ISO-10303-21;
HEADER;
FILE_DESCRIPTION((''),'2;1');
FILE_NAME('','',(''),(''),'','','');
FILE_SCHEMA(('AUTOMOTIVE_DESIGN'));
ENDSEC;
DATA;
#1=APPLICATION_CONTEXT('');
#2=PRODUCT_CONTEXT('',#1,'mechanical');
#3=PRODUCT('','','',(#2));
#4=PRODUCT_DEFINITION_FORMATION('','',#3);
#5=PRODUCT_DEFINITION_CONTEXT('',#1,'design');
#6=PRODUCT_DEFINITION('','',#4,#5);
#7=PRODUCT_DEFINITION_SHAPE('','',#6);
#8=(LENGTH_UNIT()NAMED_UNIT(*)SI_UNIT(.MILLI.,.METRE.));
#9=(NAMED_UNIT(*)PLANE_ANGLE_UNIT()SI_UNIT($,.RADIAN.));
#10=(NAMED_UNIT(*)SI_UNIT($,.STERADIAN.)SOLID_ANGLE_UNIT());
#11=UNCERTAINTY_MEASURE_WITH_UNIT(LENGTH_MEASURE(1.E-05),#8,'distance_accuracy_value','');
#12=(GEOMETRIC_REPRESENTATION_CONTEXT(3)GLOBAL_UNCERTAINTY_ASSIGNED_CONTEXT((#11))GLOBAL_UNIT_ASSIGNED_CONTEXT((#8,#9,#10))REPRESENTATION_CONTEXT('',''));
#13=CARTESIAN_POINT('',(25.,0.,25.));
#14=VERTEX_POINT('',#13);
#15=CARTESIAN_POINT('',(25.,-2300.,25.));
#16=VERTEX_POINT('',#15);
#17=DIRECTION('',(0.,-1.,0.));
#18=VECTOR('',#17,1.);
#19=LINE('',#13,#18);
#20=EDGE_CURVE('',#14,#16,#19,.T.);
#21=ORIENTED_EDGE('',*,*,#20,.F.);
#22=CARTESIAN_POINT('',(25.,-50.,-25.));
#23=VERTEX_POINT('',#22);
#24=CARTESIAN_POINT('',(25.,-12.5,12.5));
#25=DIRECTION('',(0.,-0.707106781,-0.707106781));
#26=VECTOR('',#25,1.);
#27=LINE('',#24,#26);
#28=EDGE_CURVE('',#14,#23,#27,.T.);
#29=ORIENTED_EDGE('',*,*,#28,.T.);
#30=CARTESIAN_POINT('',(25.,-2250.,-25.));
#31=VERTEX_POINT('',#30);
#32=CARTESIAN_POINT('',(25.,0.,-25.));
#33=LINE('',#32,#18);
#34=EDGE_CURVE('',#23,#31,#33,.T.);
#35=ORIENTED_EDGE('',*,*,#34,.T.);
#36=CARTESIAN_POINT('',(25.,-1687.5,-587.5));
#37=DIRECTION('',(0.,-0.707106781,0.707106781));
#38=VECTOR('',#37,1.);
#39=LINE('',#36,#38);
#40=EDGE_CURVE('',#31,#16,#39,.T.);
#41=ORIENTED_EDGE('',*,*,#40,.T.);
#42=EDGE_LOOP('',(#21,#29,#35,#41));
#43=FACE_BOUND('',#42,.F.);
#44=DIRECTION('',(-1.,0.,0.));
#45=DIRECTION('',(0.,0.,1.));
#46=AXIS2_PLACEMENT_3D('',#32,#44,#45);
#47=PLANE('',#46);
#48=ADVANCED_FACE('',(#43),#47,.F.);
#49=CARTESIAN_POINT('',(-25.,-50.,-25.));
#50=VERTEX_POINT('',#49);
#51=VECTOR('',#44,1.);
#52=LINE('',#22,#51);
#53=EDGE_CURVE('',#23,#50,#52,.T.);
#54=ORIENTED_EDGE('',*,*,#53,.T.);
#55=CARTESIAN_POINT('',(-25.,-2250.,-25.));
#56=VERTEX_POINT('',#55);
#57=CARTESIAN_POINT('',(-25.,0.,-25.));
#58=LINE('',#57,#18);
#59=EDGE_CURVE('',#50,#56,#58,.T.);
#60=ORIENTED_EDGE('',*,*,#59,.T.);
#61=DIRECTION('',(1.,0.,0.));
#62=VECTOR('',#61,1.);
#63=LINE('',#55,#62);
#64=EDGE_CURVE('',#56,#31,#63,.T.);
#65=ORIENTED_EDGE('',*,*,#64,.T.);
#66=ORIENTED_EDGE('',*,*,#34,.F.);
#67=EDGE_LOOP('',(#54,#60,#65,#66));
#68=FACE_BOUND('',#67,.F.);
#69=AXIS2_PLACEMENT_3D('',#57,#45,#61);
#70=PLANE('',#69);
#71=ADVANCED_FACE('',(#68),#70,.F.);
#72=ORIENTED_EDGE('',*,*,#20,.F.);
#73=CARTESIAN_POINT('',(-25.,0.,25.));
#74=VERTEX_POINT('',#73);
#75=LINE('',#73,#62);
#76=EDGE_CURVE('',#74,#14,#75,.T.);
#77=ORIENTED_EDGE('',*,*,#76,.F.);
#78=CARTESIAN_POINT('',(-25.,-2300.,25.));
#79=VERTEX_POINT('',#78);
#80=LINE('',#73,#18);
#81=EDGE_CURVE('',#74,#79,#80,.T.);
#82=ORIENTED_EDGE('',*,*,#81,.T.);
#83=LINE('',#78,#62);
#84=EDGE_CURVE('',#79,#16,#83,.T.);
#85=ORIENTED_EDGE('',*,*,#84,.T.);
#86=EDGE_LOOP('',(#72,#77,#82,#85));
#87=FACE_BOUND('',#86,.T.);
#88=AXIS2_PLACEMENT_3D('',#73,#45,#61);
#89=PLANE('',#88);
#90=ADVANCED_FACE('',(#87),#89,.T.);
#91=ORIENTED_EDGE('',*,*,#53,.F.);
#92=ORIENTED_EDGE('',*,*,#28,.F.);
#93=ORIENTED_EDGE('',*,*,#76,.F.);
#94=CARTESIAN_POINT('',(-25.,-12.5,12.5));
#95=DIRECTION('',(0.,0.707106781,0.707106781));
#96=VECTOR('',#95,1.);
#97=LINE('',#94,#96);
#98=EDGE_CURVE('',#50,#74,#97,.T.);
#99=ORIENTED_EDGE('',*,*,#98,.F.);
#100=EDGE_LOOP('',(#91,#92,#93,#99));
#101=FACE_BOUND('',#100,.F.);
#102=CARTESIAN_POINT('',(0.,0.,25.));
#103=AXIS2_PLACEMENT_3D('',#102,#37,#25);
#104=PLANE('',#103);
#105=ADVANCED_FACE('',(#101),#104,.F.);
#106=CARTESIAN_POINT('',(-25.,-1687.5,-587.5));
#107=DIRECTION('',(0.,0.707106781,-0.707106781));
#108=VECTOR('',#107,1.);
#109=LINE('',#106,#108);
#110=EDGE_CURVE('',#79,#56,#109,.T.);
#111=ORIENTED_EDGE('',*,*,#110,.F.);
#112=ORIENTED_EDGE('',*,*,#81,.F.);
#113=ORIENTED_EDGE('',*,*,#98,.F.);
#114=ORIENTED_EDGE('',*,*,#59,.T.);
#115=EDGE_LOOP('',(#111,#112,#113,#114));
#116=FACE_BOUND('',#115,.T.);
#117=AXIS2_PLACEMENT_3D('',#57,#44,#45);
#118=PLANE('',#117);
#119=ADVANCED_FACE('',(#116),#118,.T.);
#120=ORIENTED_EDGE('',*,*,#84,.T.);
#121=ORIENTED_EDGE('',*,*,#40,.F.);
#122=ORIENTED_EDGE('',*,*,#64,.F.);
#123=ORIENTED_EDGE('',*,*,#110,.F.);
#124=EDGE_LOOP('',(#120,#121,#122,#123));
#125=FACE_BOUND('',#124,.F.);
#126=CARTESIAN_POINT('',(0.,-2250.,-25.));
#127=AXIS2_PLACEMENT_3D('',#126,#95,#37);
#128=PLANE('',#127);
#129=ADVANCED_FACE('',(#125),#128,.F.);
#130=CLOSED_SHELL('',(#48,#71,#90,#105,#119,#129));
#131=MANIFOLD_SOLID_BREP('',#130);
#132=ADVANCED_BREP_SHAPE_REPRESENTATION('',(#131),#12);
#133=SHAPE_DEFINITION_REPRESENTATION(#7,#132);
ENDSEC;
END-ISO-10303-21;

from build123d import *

# Parameters (mm, degrees)
F0_W          = 50
F0_H          = 50
F1_DEPTH      = 2300
F3_DEPTH      = 25.001
F3_DEPTH_BACK = 25.001


with BuildPart() as f1:
    # F0 (on Front) → F1 (new body)
    with BuildSketch(Plane.XZ):
        Rectangle(F0_W, F0_H)
    extrude(amount=F1_DEPTH)

    # F2 (on Right) → F3 (cut, two sides)
    with BuildSketch(Plane.YZ) as f3_sk:
        Polygon((-2300, -25), (-2250, -25), (-2300, 25), align=None)
        Polygon((0, 25), (-50, -25), (0, -25), align=None)
    extrude(amount=-F3_DEPTH, mode=Mode.SUBTRACT)
    extrude(f3_sk.sketch, amount=F3_DEPTH_BACK, mode=Mode.SUBTRACT)


solid = f1.part
